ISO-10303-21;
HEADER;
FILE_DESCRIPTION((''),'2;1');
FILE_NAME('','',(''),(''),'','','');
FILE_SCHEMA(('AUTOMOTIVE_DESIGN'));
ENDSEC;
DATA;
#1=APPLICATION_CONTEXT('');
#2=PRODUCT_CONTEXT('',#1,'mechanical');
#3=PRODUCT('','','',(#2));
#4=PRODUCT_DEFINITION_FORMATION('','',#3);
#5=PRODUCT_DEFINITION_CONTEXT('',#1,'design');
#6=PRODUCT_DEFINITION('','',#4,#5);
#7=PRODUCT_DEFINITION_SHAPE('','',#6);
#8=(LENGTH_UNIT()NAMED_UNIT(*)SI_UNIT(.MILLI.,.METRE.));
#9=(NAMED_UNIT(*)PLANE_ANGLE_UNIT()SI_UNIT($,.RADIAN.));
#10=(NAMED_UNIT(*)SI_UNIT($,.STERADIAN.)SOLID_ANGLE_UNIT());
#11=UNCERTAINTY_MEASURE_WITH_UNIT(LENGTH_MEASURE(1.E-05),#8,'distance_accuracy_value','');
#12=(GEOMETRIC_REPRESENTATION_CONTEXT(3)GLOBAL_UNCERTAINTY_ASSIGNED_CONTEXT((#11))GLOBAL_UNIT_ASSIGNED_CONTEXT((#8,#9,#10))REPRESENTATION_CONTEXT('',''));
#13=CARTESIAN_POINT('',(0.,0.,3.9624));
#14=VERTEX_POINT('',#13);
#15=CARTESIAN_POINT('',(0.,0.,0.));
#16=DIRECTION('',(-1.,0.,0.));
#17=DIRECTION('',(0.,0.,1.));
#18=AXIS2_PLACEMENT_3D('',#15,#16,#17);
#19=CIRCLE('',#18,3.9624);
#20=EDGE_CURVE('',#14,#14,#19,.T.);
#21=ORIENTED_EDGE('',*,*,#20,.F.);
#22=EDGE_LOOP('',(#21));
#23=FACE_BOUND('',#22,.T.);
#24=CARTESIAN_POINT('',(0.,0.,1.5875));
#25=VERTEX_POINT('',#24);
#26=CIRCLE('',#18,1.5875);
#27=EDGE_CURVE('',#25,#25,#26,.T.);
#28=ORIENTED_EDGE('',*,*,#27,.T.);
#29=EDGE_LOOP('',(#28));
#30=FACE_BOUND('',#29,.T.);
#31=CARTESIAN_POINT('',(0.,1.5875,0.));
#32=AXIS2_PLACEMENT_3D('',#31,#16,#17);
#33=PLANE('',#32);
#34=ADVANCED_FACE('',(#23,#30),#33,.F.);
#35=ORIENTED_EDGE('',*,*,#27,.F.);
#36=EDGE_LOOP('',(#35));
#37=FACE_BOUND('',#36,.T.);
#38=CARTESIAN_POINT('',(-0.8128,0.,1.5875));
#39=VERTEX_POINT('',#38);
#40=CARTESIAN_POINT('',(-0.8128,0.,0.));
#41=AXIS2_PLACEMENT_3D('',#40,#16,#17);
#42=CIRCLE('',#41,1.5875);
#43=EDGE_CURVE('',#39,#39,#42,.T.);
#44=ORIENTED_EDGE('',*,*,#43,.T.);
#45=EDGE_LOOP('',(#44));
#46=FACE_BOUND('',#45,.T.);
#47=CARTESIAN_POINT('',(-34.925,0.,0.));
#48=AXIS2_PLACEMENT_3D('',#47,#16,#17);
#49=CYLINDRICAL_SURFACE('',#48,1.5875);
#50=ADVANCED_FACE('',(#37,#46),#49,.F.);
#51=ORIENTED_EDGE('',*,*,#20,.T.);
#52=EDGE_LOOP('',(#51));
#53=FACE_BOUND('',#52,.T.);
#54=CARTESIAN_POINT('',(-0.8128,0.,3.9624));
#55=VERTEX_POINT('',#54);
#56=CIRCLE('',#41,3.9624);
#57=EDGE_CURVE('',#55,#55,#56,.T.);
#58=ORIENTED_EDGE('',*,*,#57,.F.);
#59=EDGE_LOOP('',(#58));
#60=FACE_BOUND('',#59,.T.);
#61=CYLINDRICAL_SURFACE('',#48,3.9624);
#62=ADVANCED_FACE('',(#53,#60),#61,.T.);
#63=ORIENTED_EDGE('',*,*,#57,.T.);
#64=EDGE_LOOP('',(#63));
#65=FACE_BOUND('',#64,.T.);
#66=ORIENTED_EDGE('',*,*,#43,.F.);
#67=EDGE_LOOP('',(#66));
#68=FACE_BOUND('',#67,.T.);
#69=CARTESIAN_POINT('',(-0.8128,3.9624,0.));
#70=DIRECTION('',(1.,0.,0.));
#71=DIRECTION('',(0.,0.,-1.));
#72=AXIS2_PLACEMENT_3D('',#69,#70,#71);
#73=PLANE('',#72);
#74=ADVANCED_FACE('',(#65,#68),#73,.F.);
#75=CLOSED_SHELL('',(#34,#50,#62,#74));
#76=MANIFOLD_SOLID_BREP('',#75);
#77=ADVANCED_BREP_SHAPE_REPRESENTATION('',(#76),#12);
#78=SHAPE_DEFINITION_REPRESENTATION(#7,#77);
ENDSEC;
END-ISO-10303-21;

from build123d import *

# Parameters (mm, degrees)
SKETCH1_W = 0.8128
SKETCH1_H = 2.3749


with BuildPart() as part:
    # Sketch1 → Base-Revolve (revolve)
    with BuildSketch(Plane.XY):
        with Locations((-0.4064, 2.77495)):
            Rectangle(SKETCH1_W, SKETCH1_H)
    revolve(axis=Axis((-34.925, 0, 0), (1, 0, 0)))


solid = part.part
